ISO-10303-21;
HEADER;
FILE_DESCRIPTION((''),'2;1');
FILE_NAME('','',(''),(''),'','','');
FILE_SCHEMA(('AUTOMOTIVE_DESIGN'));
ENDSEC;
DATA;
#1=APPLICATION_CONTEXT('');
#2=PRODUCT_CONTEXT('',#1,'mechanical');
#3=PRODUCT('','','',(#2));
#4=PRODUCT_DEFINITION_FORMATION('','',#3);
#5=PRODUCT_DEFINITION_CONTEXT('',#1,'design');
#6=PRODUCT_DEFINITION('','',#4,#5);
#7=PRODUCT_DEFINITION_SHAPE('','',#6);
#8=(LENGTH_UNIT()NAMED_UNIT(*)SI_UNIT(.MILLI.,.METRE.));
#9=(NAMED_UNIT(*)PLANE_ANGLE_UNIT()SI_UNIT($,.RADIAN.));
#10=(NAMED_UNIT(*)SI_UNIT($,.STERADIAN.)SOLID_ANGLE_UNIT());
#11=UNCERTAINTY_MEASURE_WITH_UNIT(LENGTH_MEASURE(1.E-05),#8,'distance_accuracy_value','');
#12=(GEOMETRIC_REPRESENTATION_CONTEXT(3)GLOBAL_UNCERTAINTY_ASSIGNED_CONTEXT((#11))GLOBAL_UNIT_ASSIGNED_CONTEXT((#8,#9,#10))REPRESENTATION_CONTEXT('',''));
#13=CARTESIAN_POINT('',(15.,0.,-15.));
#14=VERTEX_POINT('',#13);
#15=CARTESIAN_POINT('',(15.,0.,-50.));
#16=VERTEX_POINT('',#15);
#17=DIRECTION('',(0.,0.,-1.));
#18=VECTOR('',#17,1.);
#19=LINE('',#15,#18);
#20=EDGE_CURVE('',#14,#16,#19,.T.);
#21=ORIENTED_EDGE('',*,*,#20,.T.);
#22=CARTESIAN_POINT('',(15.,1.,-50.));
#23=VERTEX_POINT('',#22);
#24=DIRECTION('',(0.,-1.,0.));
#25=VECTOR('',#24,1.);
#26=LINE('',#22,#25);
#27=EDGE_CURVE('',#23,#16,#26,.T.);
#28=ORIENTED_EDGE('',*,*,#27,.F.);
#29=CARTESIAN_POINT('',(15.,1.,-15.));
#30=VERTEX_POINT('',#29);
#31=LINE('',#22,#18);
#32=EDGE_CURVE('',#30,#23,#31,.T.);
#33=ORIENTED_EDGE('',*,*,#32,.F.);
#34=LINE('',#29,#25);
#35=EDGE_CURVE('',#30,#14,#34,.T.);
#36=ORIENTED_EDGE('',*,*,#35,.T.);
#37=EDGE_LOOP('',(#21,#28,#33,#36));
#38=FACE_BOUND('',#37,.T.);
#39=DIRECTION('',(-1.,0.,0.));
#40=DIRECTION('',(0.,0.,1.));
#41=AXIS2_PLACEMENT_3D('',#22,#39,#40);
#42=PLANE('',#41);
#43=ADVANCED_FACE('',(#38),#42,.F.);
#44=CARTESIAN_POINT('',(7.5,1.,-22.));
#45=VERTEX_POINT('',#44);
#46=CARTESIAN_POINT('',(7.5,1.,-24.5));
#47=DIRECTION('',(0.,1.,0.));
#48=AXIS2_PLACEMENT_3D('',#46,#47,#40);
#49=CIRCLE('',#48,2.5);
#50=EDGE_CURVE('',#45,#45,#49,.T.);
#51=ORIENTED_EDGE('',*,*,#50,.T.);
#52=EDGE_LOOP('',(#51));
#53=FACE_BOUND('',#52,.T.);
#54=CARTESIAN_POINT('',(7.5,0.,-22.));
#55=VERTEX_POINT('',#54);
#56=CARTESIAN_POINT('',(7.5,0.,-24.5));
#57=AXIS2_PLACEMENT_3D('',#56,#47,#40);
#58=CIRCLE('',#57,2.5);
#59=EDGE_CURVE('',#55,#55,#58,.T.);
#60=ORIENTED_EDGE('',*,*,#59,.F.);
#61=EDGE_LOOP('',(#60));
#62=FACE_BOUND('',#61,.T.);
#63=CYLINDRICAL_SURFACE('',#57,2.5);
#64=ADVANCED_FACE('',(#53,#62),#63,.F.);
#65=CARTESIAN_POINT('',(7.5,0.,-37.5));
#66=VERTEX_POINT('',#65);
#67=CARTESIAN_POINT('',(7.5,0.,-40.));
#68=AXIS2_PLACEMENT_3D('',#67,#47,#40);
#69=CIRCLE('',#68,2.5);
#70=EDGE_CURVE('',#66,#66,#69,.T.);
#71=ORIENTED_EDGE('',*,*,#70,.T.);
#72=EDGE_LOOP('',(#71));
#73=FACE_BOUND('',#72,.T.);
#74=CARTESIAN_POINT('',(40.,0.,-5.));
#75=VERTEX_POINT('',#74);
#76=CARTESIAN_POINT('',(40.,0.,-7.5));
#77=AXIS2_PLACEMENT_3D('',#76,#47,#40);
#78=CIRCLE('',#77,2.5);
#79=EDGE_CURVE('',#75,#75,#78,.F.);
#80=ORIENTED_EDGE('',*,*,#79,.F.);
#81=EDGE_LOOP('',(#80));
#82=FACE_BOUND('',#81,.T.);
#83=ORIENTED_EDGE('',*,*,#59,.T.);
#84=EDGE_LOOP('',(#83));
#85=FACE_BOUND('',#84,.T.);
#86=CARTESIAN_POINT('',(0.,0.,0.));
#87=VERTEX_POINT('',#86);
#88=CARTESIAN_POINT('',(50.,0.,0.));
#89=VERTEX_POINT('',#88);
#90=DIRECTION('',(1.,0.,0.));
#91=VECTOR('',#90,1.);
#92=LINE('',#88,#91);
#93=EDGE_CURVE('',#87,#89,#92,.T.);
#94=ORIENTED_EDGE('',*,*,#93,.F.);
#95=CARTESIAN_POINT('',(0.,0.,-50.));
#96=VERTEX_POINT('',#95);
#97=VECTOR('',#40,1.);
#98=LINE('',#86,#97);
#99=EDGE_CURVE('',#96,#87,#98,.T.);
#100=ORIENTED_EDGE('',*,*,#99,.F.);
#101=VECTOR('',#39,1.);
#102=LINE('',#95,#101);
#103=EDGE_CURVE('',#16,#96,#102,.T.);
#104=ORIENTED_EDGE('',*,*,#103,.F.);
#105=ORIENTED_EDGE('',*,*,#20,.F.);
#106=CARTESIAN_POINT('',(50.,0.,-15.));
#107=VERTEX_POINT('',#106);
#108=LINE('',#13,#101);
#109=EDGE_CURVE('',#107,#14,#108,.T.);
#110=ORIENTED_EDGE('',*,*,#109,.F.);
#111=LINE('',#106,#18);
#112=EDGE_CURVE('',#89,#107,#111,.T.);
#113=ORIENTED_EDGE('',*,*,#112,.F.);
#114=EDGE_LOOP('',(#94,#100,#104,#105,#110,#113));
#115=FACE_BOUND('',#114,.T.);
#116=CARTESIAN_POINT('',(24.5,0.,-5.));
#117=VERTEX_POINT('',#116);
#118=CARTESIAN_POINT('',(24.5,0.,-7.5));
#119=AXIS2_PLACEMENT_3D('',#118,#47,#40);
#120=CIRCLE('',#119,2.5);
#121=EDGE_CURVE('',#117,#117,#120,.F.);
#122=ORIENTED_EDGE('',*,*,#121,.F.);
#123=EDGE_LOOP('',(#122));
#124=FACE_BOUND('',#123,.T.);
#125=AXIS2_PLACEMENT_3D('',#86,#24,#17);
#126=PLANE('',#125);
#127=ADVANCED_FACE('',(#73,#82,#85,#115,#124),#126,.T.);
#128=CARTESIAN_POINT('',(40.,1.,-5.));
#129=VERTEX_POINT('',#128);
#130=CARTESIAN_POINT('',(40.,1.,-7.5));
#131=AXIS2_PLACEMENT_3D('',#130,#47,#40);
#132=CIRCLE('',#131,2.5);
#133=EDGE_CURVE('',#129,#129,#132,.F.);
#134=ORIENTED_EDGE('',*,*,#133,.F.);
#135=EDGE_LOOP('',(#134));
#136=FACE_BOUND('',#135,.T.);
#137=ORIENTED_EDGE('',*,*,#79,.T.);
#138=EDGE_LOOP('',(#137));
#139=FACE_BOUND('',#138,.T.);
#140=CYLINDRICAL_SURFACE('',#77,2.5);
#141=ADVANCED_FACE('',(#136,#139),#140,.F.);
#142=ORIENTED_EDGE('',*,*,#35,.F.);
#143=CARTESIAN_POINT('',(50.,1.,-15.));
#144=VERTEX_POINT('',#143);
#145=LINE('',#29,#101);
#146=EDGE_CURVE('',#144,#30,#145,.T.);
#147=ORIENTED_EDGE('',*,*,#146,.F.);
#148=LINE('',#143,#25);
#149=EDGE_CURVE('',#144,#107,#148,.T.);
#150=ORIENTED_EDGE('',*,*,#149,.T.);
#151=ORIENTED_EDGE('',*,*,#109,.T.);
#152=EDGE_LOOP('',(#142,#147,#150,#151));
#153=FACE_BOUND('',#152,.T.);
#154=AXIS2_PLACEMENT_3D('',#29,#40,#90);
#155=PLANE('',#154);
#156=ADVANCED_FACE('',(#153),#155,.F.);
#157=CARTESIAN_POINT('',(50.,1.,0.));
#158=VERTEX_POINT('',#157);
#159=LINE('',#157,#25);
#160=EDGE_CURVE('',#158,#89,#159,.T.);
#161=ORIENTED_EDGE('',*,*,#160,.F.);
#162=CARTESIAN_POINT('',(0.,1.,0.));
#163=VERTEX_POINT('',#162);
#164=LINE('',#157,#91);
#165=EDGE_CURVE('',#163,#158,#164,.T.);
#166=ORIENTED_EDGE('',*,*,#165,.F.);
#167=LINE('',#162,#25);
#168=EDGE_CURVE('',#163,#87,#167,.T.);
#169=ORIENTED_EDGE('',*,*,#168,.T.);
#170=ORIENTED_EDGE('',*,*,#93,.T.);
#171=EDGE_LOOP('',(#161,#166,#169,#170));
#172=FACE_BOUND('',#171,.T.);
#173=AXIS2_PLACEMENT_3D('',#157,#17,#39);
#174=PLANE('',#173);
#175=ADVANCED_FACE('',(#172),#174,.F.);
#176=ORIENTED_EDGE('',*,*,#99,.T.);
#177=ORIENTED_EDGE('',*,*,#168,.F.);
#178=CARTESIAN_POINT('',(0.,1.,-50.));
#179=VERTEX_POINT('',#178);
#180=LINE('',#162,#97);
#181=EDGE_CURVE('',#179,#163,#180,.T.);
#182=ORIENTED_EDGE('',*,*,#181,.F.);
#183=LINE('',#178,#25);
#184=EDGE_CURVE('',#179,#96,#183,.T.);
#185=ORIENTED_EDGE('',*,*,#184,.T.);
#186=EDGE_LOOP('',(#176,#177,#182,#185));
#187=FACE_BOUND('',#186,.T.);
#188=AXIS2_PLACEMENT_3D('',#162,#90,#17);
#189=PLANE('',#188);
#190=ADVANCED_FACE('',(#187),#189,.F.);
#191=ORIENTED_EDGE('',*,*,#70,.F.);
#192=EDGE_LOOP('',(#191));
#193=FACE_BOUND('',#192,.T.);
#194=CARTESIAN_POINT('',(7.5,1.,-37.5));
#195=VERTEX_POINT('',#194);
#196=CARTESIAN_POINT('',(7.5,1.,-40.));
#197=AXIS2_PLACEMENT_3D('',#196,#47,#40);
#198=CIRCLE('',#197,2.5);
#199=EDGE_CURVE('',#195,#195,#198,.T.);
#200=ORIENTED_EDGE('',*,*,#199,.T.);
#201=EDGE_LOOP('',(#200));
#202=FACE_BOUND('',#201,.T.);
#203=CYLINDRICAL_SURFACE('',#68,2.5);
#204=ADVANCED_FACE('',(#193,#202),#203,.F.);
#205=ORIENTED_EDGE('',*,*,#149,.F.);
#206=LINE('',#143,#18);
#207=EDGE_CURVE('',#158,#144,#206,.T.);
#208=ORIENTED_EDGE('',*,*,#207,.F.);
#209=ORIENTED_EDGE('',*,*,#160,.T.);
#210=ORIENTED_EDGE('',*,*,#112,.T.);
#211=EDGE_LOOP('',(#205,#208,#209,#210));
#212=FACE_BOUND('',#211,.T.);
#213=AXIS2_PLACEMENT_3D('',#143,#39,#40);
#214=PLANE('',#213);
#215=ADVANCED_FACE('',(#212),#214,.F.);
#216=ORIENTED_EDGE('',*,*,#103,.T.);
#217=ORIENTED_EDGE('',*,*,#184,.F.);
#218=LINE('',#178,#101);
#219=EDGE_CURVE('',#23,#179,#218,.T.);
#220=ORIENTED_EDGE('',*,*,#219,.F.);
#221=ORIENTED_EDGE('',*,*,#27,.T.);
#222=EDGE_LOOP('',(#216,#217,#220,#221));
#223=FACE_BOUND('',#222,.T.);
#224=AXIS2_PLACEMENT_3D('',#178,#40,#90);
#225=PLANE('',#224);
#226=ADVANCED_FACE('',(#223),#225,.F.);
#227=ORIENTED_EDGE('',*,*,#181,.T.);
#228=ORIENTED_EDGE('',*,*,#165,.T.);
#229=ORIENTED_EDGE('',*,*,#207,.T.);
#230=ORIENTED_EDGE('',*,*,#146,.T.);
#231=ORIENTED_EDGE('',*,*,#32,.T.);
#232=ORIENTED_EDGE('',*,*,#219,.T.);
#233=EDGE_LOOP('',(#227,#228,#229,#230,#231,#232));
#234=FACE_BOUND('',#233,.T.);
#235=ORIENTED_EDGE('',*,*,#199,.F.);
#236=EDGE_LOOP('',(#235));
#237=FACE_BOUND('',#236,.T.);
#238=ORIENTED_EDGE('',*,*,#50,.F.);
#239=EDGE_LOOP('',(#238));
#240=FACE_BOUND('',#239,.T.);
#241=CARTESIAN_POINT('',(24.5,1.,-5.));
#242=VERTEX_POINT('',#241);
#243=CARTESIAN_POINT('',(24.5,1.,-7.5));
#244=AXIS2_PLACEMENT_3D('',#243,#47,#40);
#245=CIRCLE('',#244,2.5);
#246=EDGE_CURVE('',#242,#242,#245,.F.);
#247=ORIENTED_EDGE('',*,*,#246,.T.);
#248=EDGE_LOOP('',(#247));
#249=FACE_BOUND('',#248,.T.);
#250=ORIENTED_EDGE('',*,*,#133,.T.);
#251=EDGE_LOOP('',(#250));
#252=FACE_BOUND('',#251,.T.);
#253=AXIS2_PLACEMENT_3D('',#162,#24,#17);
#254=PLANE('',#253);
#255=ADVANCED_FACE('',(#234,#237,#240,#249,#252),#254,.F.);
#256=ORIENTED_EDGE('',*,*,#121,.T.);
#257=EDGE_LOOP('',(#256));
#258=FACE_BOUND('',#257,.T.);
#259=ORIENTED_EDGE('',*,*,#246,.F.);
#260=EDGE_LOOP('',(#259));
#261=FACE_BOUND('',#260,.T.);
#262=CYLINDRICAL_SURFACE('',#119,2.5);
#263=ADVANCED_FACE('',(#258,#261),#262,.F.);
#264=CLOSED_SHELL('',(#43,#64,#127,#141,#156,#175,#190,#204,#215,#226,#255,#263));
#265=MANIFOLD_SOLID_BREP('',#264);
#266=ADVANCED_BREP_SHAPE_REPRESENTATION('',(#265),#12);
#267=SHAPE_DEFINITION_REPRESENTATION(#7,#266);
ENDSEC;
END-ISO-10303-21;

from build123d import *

# Parameters (mm, degrees)
BOSS_EXTRUDE1_DEPTH = 1
SKETCH4_R           = 2.5
CUT_EXTRUDE1_DEPTH  = 71.717748833


with BuildPart() as part:
    # Sketch2 → Boss-Extrude1 (new body)
    with BuildSketch(Plane(origin=(0, 0, 0), x_dir=(1, 0, 0), z_dir=(0, 1, 0))):
        Polygon((0, 0), (0, 50), (15, 50), (15, 15), (50, 15), (50, 0), align=None)
    extrude(amount=BOSS_EXTRUDE1_DEPTH)

    # Sketch4 → Cut-Extrude1 (cut, through all)
    with BuildSketch(Plane(origin=(0, 1, 0), x_dir=(1, 0, 0), z_dir=(0, 1, 0))):
        with Locations(Location((7.5, 40, 0), (0, 0, 270))):
            Circle(SKETCH4_R)
        with Locations(Location((7.5, 24.5, 0), (0, 0, 270))):
            Circle(SKETCH4_R)
        with Locations(Location((24.5, 7.5, 0), (0, 0, 270))):
            Circle(SKETCH4_R)
        with Locations(Location((40, 7.5, 0), (0, 0, 270))):
            Circle(SKETCH4_R)
    extrude(amount=-CUT_EXTRUDE1_DEPTH, mode=Mode.SUBTRACT)


solid = part.part
